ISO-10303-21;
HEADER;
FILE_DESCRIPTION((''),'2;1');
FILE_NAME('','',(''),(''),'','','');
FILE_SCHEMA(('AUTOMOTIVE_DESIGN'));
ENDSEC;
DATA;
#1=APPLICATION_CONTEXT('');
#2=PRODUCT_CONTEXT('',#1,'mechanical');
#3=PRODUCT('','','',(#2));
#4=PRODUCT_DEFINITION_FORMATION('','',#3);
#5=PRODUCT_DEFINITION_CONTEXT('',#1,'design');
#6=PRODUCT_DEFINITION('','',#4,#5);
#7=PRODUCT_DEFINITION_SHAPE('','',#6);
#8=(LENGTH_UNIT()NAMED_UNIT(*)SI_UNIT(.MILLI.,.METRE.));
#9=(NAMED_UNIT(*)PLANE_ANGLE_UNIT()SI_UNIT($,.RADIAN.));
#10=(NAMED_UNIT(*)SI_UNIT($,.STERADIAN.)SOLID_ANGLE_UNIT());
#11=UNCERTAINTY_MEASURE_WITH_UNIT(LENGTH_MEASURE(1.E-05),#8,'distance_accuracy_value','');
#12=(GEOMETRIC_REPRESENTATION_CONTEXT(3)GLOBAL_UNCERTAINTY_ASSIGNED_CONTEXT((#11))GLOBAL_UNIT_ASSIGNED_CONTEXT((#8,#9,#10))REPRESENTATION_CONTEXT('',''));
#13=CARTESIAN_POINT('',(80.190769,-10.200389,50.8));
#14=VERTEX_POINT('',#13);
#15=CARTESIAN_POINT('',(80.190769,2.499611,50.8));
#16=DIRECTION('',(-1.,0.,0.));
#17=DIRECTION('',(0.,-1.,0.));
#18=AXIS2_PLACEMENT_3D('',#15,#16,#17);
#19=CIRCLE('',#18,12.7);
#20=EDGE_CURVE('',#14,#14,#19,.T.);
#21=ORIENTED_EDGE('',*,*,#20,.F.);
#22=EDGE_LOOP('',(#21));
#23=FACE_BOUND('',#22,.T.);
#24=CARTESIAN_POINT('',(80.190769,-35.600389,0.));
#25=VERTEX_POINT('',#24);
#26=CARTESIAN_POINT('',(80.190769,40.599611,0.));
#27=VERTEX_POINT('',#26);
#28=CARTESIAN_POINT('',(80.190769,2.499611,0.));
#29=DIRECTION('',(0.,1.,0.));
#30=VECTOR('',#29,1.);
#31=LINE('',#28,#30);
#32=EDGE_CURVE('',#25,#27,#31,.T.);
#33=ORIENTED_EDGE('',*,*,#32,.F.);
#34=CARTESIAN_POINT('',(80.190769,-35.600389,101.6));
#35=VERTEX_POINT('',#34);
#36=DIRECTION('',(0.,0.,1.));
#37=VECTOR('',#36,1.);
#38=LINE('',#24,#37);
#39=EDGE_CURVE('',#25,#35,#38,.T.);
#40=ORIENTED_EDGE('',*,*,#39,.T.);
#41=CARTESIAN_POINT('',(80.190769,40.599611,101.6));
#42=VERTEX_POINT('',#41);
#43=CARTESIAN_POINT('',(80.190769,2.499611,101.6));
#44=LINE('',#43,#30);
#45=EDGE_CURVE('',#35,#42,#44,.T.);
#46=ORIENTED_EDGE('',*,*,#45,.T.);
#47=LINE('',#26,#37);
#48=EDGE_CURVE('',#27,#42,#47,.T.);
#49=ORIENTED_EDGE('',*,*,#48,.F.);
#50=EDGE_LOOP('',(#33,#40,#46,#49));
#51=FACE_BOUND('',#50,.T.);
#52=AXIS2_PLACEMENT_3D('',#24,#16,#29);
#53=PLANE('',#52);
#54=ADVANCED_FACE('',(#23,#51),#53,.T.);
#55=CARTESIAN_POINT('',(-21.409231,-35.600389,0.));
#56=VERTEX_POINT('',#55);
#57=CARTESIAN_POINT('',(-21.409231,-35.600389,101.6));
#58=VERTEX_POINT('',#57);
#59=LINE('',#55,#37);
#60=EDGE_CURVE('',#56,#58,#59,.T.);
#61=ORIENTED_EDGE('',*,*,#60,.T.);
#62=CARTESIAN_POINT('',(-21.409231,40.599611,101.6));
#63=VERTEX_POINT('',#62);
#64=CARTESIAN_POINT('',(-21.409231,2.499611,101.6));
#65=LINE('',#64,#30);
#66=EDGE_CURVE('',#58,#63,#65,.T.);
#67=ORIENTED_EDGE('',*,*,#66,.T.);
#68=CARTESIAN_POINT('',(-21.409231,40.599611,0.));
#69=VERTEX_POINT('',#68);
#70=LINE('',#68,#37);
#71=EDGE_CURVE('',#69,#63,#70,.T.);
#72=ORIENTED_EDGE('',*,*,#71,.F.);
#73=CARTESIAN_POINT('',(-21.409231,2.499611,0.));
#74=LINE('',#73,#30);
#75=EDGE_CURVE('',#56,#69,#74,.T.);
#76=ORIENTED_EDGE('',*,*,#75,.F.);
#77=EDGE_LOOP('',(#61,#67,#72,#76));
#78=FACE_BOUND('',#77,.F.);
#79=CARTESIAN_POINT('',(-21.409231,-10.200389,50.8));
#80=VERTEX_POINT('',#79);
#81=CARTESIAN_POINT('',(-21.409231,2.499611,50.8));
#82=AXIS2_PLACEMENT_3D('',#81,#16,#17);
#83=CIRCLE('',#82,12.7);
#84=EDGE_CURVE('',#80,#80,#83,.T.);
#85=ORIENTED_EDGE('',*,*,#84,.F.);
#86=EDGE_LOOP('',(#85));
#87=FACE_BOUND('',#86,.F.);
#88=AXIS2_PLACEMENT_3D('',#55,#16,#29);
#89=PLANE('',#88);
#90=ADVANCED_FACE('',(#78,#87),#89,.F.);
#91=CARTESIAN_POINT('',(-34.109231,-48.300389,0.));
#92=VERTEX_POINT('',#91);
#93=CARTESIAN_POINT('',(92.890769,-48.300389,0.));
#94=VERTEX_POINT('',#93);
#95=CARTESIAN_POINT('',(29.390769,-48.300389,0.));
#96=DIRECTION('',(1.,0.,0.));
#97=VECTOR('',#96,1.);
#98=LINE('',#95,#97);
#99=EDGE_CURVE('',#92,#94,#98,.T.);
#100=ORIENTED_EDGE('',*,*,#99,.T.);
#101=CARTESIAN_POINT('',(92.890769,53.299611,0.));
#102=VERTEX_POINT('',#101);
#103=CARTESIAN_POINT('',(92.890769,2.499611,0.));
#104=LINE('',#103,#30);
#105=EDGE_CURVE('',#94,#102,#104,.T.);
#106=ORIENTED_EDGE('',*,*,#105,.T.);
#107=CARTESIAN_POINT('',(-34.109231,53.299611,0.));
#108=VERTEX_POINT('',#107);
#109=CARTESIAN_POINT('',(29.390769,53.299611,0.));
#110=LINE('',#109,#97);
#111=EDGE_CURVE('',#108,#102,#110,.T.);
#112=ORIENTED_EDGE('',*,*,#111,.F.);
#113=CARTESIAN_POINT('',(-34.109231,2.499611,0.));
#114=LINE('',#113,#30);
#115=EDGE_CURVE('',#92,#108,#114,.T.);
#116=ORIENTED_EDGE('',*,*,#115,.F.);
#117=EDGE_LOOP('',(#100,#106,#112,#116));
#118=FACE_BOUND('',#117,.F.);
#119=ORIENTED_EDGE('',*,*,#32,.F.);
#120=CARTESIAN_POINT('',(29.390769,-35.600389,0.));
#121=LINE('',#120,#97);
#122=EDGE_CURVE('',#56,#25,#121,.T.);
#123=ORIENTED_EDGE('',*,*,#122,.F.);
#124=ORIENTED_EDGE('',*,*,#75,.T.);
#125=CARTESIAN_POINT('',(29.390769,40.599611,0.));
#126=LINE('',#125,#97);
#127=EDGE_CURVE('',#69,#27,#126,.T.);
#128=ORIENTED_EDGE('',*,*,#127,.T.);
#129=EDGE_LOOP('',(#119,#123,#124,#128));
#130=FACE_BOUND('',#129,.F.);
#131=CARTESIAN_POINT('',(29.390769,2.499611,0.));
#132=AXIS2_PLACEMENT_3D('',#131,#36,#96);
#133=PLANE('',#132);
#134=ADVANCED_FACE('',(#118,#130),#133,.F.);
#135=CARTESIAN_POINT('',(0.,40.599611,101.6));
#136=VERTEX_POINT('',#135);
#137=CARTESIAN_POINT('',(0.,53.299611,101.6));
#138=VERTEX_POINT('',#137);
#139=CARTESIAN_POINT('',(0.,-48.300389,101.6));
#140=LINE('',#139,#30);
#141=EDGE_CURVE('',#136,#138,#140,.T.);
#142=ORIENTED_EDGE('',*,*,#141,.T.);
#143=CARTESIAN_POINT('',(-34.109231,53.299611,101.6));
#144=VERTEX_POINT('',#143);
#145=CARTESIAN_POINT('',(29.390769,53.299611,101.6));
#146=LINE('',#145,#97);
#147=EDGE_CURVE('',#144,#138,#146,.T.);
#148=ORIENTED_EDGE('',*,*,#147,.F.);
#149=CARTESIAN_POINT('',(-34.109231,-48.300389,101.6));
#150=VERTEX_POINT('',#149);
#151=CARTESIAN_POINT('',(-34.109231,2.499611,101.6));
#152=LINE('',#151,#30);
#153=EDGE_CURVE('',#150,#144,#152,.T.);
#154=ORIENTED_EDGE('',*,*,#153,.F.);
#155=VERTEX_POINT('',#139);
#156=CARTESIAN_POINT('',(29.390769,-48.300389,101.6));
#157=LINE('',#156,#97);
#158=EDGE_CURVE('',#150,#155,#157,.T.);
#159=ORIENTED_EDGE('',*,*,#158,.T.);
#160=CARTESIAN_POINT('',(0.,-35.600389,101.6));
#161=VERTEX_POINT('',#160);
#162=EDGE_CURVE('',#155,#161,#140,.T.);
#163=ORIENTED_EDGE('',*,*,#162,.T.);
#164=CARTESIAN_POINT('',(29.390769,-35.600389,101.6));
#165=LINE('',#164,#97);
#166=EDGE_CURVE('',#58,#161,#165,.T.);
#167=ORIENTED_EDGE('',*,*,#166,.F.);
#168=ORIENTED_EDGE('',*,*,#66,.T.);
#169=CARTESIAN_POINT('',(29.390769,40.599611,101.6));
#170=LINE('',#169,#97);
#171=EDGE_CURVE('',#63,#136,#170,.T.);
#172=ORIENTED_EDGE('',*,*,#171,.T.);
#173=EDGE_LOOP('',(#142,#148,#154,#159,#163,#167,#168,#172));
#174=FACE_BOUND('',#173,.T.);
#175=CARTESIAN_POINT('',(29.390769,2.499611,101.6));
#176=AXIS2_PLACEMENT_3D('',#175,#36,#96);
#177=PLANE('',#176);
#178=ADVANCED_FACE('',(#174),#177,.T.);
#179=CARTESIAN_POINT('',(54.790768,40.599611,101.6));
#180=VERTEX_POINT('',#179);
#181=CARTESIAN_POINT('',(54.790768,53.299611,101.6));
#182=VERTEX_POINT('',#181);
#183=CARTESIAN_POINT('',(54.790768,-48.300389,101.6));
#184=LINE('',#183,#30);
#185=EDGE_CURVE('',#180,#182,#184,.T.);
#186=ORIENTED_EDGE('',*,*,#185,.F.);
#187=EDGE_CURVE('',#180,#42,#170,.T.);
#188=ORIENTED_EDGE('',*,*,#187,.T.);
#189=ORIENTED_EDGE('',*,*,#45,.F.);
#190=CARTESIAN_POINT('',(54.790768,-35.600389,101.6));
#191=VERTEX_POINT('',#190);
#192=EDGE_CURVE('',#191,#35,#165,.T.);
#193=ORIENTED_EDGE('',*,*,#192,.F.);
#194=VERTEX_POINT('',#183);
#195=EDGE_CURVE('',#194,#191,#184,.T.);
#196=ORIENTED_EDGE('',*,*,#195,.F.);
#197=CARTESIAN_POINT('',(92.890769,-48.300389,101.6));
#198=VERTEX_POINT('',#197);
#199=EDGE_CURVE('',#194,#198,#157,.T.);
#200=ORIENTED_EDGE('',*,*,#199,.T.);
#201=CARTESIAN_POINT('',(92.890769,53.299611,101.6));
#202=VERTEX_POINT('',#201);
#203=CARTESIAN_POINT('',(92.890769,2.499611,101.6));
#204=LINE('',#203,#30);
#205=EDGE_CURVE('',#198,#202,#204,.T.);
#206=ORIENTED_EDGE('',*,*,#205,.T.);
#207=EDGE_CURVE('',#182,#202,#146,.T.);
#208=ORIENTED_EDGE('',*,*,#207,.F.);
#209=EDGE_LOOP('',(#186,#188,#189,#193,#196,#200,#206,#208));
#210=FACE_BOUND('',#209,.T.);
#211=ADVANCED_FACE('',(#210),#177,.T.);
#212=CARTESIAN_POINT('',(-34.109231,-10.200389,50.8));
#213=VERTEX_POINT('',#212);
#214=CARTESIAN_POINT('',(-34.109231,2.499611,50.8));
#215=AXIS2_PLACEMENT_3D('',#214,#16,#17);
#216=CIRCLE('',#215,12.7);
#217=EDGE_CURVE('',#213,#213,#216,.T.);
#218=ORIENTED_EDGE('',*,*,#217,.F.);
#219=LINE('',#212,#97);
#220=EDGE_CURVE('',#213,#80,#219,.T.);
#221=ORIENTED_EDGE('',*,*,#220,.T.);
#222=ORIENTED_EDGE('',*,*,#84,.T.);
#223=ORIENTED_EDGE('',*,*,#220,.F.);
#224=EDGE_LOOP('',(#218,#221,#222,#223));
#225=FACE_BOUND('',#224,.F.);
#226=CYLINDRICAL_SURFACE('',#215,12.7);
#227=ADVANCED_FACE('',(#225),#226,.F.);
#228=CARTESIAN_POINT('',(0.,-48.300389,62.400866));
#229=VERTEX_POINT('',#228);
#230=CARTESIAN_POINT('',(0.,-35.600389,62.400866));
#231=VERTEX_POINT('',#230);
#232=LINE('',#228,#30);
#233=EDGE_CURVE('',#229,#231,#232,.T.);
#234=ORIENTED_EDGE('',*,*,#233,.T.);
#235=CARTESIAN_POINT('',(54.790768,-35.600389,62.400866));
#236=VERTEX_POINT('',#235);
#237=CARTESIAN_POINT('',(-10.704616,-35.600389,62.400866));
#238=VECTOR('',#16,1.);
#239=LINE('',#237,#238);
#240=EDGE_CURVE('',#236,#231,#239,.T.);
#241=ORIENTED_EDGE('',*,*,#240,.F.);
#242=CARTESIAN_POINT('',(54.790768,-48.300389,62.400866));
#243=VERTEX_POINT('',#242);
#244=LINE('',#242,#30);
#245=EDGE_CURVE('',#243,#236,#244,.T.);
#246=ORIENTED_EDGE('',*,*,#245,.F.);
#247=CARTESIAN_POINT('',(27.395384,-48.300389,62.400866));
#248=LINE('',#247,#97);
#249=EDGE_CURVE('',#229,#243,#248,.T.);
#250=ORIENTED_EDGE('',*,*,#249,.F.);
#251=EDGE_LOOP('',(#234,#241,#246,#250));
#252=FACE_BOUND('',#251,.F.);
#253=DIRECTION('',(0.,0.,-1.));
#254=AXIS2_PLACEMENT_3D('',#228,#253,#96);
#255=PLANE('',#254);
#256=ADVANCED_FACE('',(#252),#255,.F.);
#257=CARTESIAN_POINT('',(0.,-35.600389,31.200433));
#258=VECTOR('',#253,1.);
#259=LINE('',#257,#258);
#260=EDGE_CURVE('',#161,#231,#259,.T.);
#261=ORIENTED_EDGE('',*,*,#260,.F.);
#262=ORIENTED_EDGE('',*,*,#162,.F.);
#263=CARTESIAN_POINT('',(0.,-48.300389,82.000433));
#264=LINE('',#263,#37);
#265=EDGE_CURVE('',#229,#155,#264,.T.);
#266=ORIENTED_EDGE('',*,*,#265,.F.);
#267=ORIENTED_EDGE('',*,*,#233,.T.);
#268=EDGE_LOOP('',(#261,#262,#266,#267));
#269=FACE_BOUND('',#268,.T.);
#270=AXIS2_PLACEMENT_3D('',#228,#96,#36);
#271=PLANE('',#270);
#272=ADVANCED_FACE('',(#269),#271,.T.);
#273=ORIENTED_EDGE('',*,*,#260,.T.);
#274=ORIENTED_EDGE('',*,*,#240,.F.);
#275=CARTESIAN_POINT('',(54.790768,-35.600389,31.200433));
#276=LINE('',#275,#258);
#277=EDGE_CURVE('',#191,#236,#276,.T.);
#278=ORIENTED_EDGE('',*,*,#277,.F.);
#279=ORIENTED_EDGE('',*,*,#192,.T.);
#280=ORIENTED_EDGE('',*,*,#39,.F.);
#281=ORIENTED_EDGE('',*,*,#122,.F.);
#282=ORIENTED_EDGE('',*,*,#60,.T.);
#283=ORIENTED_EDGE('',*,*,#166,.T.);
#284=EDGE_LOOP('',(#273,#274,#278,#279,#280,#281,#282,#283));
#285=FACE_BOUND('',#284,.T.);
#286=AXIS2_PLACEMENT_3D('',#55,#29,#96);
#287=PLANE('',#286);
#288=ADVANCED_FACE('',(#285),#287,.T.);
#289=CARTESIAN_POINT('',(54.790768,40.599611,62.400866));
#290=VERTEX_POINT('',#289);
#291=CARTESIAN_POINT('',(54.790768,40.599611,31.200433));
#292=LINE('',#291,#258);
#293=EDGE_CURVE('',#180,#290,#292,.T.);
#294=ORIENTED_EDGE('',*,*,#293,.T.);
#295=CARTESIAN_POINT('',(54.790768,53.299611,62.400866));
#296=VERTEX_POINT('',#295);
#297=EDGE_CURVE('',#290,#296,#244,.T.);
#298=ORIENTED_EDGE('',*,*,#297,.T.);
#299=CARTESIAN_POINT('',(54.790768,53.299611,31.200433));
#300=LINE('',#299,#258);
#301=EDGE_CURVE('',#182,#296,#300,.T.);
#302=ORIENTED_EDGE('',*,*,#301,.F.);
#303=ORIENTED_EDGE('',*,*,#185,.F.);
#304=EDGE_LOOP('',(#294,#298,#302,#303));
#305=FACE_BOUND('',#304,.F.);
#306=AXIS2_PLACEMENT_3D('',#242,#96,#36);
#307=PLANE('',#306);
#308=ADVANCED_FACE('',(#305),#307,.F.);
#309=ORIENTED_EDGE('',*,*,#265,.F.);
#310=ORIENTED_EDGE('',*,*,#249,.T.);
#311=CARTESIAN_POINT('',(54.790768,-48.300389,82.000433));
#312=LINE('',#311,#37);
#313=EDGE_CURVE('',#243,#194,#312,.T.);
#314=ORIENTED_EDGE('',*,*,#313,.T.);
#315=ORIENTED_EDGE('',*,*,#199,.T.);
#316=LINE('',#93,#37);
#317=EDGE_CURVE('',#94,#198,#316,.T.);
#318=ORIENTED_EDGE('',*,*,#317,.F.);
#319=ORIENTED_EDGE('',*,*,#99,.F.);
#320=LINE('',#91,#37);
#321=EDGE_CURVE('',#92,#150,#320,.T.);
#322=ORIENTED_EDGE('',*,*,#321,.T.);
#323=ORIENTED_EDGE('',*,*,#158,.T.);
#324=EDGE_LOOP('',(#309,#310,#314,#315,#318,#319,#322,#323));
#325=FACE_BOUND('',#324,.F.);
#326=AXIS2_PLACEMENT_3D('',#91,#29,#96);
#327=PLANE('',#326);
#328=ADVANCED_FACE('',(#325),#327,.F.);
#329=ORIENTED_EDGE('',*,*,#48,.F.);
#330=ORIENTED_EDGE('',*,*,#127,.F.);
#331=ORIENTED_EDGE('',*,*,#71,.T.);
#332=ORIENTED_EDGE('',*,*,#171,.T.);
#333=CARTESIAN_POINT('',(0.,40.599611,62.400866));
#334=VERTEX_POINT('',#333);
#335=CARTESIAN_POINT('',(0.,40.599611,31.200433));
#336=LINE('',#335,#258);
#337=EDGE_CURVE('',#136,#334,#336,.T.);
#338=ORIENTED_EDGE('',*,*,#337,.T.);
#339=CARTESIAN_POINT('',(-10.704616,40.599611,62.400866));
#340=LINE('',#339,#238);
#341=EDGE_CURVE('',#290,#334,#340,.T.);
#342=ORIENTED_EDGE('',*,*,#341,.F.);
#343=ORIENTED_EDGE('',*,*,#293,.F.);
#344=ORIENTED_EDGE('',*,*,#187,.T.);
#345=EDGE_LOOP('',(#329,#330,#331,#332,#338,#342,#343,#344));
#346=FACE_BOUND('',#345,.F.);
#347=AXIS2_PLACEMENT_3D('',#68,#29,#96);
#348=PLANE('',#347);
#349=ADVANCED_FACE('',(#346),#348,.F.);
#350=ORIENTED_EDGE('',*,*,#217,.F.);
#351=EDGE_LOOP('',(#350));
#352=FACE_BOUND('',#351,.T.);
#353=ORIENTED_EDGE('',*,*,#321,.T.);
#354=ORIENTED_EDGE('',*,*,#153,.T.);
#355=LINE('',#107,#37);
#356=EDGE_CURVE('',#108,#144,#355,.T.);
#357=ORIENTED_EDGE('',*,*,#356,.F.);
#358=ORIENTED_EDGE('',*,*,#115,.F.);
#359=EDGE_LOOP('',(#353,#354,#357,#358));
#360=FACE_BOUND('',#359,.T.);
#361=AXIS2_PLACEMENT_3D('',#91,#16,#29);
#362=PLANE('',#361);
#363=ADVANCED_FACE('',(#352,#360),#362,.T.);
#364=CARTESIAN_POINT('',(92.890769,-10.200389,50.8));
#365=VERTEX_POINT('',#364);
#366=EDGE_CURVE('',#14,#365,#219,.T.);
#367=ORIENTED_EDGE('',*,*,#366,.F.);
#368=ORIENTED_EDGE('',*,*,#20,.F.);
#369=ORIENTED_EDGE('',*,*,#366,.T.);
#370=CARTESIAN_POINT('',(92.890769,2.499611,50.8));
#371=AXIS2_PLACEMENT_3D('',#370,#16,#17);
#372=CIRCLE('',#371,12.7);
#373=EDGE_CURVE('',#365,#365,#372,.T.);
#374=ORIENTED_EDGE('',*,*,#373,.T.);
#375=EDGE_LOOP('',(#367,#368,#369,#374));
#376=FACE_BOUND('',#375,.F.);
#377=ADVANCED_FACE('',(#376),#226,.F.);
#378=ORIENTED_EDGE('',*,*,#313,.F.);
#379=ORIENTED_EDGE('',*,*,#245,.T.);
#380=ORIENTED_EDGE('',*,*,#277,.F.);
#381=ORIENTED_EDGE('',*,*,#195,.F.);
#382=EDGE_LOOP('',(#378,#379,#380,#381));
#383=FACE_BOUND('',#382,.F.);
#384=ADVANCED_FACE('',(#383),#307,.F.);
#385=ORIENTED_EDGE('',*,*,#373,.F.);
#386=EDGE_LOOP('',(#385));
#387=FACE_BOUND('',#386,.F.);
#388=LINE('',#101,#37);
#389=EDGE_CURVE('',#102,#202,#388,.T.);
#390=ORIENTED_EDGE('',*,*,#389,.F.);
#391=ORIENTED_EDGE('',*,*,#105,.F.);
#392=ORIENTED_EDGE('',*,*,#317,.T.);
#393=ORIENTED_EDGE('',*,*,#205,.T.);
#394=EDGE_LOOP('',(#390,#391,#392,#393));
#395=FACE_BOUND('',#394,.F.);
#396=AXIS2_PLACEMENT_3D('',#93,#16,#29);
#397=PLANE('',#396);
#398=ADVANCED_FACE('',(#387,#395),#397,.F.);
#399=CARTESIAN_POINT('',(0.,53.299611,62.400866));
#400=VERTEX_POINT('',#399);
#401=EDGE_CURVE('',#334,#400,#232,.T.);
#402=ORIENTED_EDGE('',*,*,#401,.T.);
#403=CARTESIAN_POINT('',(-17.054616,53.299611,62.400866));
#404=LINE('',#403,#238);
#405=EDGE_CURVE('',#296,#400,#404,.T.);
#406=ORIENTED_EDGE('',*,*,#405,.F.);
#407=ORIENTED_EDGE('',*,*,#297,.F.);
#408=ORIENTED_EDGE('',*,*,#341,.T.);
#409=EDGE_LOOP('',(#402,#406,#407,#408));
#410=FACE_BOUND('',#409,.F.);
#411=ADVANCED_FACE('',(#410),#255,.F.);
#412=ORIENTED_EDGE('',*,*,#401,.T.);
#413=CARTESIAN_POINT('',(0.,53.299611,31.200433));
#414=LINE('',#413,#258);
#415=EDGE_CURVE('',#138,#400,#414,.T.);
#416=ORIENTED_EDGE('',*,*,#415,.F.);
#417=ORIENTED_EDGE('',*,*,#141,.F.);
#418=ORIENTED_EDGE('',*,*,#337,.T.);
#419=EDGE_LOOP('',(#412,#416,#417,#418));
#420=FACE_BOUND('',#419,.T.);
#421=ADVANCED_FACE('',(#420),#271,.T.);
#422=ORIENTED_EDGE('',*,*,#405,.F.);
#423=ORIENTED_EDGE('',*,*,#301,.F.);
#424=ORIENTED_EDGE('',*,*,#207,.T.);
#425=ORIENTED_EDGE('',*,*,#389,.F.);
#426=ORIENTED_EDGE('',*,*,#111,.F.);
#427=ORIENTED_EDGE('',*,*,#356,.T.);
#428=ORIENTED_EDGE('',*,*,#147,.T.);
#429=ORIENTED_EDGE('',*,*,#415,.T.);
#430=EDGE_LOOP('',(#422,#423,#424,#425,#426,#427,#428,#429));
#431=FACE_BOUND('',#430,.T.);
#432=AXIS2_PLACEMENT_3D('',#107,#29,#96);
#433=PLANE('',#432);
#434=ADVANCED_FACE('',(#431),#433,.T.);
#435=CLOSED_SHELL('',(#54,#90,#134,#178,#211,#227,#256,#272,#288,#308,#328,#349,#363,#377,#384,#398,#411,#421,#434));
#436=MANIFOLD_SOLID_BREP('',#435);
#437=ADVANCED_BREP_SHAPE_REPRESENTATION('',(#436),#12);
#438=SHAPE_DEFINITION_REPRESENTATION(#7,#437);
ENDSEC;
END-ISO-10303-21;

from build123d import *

# Parameters (mm, degrees)
F0_W     = 127
F0_H     = 101.6
F0_W_2   = 101.6
F0_H_2   = 76.2
F1_DEPTH = 101.6
F2_W     = 54.790769
F2_H     = 39.199134
F3_DEPTH = 152.4
F4_R     = 12.7
F5_DEPTH = 203.2


with BuildPart() as f1:
    # F0 (on Top) → F1 (new body)
    with BuildSketch(Plane.XY):
        with Locations((29.390769, 2.499611)):
            Rectangle(F0_W, F0_H)
        with Locations((29.390769, 2.499611)):
            Rectangle(F0_W_2, F0_H_2, mode=Mode.SUBTRACT)
    extrude(amount=F1_DEPTH)

    # F2 (on face) → F3 (cut)
    with BuildSketch(Plane.XZ.offset(48.300389)):
        with Locations((27.395384, 82.000433)):
            Rectangle(F2_W, F2_H)
    extrude(amount=-F3_DEPTH, mode=Mode.SUBTRACT)

    # F4 (on face) → F5 (cut)
    with BuildSketch(Plane(origin=(-34.109231, 0, 0), x_dir=(0, -1, 0), z_dir=(-1, 0, 0))):
        with Locations((-2.499611, 50.8)):
            Circle(F4_R)
    extrude(amount=-F5_DEPTH, mode=Mode.SUBTRACT)


solid = f1.part
